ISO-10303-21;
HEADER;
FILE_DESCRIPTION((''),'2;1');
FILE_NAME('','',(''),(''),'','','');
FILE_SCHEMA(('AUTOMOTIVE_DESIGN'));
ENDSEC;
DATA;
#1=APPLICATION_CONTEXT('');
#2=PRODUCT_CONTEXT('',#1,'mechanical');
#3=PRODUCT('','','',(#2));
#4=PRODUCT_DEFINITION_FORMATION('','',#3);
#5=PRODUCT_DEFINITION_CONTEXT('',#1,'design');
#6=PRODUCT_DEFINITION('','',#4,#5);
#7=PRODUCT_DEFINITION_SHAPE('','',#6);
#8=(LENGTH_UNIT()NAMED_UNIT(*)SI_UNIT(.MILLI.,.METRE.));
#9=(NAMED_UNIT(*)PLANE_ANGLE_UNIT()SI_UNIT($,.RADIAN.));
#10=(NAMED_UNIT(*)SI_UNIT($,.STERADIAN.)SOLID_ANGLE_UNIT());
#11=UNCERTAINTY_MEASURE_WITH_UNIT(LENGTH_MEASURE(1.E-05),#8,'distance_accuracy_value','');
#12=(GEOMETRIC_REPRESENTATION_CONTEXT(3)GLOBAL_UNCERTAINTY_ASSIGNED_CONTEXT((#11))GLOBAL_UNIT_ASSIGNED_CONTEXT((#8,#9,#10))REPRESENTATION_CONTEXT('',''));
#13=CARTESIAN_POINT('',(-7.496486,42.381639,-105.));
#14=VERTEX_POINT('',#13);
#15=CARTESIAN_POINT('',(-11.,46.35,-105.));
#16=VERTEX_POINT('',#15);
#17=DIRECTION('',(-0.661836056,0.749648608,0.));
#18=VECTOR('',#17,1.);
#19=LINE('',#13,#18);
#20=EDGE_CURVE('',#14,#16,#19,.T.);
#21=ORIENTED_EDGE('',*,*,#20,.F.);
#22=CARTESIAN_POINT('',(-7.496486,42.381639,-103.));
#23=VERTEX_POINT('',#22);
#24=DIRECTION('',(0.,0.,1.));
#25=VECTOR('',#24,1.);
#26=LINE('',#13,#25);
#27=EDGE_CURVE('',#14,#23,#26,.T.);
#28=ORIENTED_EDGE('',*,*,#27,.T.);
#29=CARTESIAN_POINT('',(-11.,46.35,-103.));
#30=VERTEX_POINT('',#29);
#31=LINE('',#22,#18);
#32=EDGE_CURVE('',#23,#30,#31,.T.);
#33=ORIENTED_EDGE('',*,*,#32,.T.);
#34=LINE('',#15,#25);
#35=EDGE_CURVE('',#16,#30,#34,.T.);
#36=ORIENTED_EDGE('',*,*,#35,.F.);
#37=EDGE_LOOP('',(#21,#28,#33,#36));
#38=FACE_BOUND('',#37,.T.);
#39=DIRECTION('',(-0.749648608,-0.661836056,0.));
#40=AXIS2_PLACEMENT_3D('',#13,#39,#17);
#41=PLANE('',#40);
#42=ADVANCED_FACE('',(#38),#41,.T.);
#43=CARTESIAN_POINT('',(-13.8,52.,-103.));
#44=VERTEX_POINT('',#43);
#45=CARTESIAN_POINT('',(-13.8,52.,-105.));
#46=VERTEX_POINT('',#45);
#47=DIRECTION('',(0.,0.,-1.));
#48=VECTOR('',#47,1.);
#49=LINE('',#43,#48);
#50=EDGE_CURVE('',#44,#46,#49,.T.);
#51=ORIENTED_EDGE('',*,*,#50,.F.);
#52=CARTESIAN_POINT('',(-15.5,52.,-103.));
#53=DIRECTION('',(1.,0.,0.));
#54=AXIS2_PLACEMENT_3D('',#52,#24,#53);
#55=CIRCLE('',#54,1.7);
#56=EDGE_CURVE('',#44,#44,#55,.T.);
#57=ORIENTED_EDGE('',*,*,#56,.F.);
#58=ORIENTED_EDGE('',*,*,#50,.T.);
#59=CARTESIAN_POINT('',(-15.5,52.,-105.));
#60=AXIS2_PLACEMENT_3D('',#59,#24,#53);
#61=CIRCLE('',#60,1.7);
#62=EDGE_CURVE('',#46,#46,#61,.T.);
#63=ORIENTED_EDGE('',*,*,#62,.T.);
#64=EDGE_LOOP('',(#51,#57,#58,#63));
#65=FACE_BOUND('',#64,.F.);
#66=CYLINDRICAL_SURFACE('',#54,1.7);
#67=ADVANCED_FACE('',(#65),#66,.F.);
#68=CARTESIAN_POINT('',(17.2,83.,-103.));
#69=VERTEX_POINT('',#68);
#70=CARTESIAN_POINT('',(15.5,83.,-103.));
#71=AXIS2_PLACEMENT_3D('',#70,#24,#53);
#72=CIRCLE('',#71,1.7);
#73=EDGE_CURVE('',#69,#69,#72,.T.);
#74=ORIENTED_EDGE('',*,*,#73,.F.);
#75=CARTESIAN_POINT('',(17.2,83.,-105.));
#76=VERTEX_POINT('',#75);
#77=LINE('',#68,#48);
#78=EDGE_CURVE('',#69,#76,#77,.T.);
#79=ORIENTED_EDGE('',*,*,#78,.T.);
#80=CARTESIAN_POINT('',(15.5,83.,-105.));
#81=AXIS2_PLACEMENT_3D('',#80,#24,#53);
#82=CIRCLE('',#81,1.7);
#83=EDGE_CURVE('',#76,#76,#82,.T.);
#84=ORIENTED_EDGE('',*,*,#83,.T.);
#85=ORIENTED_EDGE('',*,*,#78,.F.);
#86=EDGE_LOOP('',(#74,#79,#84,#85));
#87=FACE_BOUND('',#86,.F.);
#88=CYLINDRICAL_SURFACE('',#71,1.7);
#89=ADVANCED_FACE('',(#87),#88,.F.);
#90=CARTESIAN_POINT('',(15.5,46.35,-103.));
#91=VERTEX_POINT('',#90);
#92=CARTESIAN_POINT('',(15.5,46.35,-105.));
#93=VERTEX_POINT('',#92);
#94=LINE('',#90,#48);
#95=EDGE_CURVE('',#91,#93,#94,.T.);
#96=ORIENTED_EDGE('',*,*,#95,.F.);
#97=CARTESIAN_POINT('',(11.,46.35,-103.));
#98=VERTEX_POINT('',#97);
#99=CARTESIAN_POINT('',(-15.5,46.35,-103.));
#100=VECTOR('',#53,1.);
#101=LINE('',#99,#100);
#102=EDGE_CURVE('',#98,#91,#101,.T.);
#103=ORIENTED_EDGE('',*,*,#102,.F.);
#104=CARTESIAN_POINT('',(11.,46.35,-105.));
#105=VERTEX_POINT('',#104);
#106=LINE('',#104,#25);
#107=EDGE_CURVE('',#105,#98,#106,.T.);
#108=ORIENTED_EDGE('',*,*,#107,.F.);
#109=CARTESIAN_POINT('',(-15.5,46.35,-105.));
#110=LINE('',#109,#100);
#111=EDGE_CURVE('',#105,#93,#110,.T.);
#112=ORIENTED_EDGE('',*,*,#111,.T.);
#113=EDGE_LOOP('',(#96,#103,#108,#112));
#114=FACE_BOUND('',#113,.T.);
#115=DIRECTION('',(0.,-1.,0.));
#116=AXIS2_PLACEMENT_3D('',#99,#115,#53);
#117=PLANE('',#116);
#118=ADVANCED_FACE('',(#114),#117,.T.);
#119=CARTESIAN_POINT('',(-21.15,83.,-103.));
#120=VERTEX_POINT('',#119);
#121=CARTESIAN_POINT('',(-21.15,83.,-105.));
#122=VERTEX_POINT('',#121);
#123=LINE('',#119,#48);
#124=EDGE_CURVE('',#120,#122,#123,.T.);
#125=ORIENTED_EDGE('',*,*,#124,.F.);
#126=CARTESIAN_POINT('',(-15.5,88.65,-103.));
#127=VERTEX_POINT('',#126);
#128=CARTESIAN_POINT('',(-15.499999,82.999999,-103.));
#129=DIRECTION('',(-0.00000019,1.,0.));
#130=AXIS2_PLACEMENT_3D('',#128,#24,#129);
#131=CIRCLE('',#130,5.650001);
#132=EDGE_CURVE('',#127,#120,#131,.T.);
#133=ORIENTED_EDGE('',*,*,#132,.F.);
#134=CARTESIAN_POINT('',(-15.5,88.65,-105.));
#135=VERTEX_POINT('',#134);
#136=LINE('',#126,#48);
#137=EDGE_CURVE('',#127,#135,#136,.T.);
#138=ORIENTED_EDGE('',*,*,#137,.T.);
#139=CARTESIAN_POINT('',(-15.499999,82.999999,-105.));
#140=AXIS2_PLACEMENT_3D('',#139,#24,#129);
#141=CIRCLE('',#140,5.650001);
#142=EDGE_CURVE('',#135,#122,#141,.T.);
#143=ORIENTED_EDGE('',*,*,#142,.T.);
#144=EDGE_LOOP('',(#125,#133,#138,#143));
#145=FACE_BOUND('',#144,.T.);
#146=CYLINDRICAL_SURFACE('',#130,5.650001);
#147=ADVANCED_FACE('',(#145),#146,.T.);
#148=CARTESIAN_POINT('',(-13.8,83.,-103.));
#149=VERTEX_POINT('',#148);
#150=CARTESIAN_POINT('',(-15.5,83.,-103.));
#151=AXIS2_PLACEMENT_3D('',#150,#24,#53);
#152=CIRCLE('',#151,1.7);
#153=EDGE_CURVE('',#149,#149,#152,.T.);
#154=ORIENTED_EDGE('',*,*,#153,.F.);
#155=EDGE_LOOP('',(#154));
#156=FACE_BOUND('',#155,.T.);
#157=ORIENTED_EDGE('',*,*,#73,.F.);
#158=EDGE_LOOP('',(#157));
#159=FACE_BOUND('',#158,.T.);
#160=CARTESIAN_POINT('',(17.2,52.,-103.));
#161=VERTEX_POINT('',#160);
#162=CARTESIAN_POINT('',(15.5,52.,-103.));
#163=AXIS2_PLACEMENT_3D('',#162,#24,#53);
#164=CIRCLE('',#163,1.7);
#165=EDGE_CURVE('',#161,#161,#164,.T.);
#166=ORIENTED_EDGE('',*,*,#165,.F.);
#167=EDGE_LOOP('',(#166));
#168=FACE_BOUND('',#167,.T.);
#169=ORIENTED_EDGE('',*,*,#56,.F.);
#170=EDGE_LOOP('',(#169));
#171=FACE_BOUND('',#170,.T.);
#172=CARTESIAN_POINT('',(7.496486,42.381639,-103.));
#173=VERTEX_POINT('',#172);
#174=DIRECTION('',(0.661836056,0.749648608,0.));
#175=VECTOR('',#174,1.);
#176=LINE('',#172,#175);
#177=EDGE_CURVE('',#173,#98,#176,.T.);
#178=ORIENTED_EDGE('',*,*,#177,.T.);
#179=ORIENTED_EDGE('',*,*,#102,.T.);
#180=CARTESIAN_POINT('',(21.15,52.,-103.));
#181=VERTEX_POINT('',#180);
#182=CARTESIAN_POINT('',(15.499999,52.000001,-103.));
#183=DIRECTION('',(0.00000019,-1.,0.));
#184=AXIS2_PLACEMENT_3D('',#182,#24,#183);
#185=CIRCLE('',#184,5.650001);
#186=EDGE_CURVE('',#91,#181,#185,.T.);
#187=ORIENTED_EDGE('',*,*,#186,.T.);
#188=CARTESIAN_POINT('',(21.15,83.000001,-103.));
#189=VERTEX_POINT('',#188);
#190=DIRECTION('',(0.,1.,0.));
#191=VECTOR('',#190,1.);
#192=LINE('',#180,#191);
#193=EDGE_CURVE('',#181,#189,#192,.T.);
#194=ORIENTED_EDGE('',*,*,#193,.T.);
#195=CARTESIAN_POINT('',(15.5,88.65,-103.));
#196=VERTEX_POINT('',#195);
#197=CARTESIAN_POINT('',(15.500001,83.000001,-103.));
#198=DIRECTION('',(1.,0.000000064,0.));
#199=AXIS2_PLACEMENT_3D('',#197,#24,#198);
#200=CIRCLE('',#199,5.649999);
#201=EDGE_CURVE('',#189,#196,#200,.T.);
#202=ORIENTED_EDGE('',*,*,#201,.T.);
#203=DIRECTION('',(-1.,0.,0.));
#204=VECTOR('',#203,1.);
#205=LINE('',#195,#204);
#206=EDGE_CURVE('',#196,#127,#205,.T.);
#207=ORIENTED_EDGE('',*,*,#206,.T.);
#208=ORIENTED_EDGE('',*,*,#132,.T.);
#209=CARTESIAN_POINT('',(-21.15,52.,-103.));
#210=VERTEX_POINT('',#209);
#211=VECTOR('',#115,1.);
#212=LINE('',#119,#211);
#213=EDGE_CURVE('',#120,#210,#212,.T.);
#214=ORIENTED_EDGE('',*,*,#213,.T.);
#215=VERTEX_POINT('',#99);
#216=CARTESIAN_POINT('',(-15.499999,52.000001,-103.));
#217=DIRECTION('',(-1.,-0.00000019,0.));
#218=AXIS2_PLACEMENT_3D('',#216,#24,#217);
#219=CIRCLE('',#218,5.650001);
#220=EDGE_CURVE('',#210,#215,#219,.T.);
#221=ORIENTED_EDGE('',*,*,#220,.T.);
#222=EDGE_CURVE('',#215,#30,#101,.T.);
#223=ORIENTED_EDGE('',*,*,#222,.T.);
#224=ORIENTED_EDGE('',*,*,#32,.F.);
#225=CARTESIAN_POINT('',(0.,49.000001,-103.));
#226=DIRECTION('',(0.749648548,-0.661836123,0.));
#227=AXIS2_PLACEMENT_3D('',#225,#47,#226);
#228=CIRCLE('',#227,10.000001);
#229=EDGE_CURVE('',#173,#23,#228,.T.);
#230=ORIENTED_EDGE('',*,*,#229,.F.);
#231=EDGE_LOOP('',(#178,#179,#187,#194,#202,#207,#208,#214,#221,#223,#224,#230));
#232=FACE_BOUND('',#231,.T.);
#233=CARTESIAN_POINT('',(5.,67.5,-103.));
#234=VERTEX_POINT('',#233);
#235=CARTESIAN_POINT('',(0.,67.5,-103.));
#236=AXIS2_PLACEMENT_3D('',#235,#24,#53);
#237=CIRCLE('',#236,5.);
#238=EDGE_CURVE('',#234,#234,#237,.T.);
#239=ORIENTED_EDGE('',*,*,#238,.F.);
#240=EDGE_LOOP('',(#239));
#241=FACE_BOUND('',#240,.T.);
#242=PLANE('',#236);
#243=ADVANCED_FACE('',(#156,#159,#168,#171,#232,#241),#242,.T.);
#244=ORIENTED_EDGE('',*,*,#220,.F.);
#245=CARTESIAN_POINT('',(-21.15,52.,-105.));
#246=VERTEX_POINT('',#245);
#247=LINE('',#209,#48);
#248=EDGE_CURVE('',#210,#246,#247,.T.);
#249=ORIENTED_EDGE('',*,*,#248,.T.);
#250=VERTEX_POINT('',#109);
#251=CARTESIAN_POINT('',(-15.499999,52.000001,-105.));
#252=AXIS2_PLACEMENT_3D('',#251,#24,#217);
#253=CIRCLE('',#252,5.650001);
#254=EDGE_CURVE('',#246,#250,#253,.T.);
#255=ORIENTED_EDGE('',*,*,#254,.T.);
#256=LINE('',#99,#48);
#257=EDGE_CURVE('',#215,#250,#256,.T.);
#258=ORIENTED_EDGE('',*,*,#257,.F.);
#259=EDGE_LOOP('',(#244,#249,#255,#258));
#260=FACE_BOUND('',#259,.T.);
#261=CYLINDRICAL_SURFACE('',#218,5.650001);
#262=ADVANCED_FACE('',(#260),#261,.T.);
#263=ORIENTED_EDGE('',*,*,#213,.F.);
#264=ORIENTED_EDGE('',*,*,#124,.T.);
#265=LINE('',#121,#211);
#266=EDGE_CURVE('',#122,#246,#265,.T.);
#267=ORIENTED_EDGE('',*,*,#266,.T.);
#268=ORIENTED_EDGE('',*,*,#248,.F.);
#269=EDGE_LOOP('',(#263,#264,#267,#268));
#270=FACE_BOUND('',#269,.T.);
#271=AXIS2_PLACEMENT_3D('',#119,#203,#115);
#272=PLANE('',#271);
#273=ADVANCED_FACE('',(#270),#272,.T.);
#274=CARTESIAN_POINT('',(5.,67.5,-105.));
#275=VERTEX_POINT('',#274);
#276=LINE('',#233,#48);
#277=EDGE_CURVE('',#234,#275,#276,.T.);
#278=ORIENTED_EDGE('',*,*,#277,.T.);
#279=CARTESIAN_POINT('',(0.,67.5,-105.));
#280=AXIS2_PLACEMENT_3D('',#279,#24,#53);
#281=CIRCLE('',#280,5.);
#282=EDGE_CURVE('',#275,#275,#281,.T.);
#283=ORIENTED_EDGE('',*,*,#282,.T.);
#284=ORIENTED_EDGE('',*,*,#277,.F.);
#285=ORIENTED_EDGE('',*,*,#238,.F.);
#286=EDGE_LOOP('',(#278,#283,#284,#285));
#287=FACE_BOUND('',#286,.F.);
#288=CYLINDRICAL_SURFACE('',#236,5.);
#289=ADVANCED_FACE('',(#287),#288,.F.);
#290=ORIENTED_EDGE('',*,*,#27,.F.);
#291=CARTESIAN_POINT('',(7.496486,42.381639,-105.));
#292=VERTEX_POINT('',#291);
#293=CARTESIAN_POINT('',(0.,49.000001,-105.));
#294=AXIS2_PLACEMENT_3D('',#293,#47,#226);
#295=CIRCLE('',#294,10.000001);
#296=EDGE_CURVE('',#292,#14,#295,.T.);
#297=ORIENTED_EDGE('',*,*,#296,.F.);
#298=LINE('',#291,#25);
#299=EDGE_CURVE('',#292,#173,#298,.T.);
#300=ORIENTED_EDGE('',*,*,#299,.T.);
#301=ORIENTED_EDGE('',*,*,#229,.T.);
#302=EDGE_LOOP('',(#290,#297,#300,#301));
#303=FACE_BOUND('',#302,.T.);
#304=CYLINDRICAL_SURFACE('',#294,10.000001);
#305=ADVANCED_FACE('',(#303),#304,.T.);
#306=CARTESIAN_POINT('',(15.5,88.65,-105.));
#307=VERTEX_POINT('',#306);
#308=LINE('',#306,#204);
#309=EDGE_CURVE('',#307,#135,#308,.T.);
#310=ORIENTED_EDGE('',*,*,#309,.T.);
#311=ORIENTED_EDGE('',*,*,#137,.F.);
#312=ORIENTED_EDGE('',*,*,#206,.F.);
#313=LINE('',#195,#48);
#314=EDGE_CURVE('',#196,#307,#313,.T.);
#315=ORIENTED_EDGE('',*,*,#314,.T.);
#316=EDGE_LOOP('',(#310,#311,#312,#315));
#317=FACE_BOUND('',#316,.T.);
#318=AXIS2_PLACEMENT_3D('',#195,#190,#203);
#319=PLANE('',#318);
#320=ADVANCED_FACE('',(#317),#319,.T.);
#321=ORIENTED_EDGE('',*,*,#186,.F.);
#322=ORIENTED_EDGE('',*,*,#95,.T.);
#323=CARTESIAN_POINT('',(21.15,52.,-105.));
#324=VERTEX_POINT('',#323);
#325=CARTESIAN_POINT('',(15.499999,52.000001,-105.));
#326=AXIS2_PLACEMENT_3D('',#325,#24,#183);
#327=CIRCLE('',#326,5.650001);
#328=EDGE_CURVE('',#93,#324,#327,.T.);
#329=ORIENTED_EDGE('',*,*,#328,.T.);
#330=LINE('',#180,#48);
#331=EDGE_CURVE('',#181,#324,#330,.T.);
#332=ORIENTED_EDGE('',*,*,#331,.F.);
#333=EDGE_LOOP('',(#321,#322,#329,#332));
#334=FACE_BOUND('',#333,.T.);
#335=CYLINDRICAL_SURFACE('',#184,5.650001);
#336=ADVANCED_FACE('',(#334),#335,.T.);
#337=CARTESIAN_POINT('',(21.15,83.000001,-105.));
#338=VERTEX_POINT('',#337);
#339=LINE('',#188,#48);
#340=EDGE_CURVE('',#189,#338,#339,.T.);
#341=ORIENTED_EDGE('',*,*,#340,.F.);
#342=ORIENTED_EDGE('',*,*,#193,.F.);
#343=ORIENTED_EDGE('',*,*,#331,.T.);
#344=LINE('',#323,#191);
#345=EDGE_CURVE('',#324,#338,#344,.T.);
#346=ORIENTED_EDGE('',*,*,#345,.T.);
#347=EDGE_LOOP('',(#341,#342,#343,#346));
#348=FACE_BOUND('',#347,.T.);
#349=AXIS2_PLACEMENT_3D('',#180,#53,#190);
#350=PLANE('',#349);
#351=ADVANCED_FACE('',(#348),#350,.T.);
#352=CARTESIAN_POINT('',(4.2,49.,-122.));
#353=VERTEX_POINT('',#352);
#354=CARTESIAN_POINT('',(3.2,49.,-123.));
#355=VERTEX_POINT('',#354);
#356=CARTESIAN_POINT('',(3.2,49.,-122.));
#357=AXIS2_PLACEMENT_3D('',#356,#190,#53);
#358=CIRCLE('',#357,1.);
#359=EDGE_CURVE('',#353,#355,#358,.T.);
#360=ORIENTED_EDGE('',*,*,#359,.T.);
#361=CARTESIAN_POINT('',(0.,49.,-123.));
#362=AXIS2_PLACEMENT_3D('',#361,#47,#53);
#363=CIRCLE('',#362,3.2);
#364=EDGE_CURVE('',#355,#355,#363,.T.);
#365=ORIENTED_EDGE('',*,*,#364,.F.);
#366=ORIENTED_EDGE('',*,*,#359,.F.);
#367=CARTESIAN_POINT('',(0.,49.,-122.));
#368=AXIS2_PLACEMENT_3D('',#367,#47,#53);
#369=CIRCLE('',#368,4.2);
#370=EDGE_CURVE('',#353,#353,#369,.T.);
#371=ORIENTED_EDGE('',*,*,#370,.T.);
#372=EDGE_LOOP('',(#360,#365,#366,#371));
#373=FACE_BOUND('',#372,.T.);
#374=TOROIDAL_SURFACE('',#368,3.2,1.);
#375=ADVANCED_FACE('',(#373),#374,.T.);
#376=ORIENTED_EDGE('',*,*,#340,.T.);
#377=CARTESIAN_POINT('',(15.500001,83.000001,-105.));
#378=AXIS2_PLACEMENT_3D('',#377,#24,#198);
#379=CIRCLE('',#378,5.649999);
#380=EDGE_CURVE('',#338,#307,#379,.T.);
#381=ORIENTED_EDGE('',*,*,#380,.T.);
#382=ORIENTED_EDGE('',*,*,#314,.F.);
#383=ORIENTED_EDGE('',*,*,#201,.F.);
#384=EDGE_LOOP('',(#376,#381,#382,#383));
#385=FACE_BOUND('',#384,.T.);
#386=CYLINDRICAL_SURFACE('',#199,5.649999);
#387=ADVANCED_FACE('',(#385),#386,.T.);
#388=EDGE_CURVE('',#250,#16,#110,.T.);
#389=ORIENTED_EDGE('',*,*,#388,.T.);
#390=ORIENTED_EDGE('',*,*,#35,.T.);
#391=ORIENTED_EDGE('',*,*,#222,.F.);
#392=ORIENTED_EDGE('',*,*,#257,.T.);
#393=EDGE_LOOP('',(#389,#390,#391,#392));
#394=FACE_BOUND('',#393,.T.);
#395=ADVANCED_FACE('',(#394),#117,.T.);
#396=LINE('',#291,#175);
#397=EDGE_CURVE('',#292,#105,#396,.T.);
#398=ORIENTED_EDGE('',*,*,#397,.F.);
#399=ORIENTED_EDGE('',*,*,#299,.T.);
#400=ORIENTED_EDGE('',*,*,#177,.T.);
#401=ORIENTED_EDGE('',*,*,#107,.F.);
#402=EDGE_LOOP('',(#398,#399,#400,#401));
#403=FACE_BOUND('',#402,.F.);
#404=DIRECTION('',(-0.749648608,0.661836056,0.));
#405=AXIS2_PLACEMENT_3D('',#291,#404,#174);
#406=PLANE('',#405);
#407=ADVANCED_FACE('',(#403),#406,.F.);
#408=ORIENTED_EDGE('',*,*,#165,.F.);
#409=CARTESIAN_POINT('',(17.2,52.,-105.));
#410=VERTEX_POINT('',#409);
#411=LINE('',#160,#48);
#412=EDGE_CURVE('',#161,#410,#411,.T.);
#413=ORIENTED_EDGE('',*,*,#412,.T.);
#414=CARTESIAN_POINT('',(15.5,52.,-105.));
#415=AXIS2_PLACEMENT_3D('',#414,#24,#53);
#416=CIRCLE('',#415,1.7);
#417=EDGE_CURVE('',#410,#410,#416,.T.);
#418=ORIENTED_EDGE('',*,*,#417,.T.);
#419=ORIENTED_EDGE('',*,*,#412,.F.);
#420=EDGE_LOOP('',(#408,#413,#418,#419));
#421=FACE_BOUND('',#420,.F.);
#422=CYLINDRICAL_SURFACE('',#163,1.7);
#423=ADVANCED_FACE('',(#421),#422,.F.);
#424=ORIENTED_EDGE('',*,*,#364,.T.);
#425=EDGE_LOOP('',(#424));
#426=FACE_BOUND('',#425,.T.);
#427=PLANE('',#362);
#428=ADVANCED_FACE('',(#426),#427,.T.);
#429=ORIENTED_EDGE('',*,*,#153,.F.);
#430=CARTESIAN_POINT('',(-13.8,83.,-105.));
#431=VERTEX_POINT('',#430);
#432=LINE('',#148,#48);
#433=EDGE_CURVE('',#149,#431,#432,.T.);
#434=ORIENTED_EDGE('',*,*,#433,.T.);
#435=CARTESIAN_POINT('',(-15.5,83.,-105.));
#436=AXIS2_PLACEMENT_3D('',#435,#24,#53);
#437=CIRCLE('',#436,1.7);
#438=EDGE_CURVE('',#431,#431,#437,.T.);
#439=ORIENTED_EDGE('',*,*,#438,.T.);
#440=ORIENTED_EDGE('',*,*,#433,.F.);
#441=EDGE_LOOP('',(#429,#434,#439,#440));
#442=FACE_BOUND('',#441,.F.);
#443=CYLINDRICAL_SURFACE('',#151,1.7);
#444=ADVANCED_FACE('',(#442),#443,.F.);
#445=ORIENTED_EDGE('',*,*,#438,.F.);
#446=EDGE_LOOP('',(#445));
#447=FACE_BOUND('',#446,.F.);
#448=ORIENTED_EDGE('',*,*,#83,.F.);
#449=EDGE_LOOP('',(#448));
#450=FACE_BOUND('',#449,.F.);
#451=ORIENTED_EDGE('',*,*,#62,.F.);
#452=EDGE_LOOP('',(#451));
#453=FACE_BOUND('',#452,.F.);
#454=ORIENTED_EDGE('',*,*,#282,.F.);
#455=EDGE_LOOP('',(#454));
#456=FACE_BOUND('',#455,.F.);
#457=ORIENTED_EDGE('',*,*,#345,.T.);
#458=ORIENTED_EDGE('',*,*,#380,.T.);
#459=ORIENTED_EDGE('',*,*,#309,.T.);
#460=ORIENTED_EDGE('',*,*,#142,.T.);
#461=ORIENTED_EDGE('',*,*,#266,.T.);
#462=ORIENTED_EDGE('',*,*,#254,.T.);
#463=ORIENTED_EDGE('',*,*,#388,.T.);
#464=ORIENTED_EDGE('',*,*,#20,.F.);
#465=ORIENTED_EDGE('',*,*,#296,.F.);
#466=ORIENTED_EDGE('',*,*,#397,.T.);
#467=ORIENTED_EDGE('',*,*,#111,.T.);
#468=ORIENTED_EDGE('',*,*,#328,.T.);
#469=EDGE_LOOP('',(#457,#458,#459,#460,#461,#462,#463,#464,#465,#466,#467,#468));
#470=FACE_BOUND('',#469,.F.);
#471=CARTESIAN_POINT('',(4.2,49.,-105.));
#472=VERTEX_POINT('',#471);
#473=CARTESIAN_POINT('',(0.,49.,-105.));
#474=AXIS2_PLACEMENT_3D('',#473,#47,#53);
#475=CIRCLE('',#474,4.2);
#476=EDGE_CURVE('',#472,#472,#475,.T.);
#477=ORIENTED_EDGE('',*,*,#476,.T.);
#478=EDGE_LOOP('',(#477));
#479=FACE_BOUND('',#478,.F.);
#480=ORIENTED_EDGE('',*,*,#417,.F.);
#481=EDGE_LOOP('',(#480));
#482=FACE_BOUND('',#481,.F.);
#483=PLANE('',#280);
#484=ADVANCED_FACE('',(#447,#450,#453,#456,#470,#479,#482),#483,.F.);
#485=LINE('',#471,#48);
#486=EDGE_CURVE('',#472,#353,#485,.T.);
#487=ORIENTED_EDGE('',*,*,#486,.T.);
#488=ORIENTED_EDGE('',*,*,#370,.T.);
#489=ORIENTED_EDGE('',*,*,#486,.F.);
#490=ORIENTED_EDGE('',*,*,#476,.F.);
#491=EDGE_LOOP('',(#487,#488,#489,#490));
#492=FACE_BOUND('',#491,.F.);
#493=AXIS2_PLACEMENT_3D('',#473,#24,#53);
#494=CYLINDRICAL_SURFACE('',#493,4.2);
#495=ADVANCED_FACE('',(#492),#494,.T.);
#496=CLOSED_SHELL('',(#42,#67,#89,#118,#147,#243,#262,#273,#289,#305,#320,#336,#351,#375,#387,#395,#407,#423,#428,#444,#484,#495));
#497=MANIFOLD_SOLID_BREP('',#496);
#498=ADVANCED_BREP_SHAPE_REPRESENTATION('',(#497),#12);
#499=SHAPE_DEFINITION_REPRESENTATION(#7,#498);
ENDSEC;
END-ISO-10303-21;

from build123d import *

# Parameters (mm, degrees)
SKETCH114_R   = 1.7
SKETCH114_R_2 = 5
PAD058_DEPTH  = 2
PAD061_DEPTH  = 2
SKETCH119_R   = 4.2
PAD062_DEPTH  = 18
FILLET010_R   = 1


with BuildPart() as part:
    # Sketch114 → Pad058 (new body)
    with BuildSketch(Plane.XY):
        with BuildLine():
            ThreePointArc((-15.5, 21.15), (-19.495153, 19.495153), (-21.15, 15.5))
            Line((-21.15, 15.5), (-21.15, -15.5))
            ThreePointArc((-21.15, -15.5), (-19.495153, -19.495153), (-15.5, -21.15))
            Line((-15.5, -21.15), (15.5, -21.15))
            ThreePointArc((15.5, -21.15), (19.495153, -19.495153), (21.15, -15.5))
            Line((21.15, -15.5), (21.15, 15.500001))
            ThreePointArc((21.15, 15.500001), (19.495153, 19.495154), (15.5, 21.15))
            Line((15.5, 21.15), (-15.5, 21.15))
        make_face()
        with Locations((-15.5, 15.5)):
            Circle(SKETCH114_R, mode=Mode.SUBTRACT)
        with Locations((15.5, 15.5)):
            Circle(SKETCH114_R, mode=Mode.SUBTRACT)
        with Locations((15.5, -15.5)):
            Circle(SKETCH114_R, mode=Mode.SUBTRACT)
        with Locations((-15.5, -15.5)):
            Circle(SKETCH114_R, mode=Mode.SUBTRACT)
        Circle(SKETCH114_R_2, mode=Mode.SUBTRACT)
    extrude(amount=-PAD058_DEPTH)

    # Sketch118 → Pad061 (join)
    with BuildSketch(Plane(origin=(0, 0, -2), x_dir=(1, 0, 0), z_dir=(0, 0, -1))):
        with BuildLine():
            ThreePointArc((7.496486, 25.118361), (0, 28.5), (-7.496486, 25.118361))
            Line((-7.496486, 25.118361), (-11, 21.15))
            Line((11, 21.15), (-11, 21.15))
            Line((7.496486, 25.118361), (11, 21.15))
        make_face()
    extrude(amount=-PAD061_DEPTH)

    # Sketch119 (on Face18 of Pad061) → Pad062 (join)
    with BuildSketch(Plane(origin=(0, 0, -2), x_dir=(1, 0, 0), z_dir=(0, 0, -1))):
        with Locations((0, 18.5)):
            Circle(SKETCH119_R)
    extrude(amount=PAD062_DEPTH)

    # Fillet010
    fillet010_edges = [part.edges().sort_by_distance(p)[0] for p in [
        (-4.2, -18.5, -20),
    ]]
    fillet(fillet010_edges, radius=FILLET010_R)


with BuildPart() as part_1:
    # Body026 placement: moved
    add(part.part.moved(Location((0, 67.5, -103))))


solid = part_1.part
